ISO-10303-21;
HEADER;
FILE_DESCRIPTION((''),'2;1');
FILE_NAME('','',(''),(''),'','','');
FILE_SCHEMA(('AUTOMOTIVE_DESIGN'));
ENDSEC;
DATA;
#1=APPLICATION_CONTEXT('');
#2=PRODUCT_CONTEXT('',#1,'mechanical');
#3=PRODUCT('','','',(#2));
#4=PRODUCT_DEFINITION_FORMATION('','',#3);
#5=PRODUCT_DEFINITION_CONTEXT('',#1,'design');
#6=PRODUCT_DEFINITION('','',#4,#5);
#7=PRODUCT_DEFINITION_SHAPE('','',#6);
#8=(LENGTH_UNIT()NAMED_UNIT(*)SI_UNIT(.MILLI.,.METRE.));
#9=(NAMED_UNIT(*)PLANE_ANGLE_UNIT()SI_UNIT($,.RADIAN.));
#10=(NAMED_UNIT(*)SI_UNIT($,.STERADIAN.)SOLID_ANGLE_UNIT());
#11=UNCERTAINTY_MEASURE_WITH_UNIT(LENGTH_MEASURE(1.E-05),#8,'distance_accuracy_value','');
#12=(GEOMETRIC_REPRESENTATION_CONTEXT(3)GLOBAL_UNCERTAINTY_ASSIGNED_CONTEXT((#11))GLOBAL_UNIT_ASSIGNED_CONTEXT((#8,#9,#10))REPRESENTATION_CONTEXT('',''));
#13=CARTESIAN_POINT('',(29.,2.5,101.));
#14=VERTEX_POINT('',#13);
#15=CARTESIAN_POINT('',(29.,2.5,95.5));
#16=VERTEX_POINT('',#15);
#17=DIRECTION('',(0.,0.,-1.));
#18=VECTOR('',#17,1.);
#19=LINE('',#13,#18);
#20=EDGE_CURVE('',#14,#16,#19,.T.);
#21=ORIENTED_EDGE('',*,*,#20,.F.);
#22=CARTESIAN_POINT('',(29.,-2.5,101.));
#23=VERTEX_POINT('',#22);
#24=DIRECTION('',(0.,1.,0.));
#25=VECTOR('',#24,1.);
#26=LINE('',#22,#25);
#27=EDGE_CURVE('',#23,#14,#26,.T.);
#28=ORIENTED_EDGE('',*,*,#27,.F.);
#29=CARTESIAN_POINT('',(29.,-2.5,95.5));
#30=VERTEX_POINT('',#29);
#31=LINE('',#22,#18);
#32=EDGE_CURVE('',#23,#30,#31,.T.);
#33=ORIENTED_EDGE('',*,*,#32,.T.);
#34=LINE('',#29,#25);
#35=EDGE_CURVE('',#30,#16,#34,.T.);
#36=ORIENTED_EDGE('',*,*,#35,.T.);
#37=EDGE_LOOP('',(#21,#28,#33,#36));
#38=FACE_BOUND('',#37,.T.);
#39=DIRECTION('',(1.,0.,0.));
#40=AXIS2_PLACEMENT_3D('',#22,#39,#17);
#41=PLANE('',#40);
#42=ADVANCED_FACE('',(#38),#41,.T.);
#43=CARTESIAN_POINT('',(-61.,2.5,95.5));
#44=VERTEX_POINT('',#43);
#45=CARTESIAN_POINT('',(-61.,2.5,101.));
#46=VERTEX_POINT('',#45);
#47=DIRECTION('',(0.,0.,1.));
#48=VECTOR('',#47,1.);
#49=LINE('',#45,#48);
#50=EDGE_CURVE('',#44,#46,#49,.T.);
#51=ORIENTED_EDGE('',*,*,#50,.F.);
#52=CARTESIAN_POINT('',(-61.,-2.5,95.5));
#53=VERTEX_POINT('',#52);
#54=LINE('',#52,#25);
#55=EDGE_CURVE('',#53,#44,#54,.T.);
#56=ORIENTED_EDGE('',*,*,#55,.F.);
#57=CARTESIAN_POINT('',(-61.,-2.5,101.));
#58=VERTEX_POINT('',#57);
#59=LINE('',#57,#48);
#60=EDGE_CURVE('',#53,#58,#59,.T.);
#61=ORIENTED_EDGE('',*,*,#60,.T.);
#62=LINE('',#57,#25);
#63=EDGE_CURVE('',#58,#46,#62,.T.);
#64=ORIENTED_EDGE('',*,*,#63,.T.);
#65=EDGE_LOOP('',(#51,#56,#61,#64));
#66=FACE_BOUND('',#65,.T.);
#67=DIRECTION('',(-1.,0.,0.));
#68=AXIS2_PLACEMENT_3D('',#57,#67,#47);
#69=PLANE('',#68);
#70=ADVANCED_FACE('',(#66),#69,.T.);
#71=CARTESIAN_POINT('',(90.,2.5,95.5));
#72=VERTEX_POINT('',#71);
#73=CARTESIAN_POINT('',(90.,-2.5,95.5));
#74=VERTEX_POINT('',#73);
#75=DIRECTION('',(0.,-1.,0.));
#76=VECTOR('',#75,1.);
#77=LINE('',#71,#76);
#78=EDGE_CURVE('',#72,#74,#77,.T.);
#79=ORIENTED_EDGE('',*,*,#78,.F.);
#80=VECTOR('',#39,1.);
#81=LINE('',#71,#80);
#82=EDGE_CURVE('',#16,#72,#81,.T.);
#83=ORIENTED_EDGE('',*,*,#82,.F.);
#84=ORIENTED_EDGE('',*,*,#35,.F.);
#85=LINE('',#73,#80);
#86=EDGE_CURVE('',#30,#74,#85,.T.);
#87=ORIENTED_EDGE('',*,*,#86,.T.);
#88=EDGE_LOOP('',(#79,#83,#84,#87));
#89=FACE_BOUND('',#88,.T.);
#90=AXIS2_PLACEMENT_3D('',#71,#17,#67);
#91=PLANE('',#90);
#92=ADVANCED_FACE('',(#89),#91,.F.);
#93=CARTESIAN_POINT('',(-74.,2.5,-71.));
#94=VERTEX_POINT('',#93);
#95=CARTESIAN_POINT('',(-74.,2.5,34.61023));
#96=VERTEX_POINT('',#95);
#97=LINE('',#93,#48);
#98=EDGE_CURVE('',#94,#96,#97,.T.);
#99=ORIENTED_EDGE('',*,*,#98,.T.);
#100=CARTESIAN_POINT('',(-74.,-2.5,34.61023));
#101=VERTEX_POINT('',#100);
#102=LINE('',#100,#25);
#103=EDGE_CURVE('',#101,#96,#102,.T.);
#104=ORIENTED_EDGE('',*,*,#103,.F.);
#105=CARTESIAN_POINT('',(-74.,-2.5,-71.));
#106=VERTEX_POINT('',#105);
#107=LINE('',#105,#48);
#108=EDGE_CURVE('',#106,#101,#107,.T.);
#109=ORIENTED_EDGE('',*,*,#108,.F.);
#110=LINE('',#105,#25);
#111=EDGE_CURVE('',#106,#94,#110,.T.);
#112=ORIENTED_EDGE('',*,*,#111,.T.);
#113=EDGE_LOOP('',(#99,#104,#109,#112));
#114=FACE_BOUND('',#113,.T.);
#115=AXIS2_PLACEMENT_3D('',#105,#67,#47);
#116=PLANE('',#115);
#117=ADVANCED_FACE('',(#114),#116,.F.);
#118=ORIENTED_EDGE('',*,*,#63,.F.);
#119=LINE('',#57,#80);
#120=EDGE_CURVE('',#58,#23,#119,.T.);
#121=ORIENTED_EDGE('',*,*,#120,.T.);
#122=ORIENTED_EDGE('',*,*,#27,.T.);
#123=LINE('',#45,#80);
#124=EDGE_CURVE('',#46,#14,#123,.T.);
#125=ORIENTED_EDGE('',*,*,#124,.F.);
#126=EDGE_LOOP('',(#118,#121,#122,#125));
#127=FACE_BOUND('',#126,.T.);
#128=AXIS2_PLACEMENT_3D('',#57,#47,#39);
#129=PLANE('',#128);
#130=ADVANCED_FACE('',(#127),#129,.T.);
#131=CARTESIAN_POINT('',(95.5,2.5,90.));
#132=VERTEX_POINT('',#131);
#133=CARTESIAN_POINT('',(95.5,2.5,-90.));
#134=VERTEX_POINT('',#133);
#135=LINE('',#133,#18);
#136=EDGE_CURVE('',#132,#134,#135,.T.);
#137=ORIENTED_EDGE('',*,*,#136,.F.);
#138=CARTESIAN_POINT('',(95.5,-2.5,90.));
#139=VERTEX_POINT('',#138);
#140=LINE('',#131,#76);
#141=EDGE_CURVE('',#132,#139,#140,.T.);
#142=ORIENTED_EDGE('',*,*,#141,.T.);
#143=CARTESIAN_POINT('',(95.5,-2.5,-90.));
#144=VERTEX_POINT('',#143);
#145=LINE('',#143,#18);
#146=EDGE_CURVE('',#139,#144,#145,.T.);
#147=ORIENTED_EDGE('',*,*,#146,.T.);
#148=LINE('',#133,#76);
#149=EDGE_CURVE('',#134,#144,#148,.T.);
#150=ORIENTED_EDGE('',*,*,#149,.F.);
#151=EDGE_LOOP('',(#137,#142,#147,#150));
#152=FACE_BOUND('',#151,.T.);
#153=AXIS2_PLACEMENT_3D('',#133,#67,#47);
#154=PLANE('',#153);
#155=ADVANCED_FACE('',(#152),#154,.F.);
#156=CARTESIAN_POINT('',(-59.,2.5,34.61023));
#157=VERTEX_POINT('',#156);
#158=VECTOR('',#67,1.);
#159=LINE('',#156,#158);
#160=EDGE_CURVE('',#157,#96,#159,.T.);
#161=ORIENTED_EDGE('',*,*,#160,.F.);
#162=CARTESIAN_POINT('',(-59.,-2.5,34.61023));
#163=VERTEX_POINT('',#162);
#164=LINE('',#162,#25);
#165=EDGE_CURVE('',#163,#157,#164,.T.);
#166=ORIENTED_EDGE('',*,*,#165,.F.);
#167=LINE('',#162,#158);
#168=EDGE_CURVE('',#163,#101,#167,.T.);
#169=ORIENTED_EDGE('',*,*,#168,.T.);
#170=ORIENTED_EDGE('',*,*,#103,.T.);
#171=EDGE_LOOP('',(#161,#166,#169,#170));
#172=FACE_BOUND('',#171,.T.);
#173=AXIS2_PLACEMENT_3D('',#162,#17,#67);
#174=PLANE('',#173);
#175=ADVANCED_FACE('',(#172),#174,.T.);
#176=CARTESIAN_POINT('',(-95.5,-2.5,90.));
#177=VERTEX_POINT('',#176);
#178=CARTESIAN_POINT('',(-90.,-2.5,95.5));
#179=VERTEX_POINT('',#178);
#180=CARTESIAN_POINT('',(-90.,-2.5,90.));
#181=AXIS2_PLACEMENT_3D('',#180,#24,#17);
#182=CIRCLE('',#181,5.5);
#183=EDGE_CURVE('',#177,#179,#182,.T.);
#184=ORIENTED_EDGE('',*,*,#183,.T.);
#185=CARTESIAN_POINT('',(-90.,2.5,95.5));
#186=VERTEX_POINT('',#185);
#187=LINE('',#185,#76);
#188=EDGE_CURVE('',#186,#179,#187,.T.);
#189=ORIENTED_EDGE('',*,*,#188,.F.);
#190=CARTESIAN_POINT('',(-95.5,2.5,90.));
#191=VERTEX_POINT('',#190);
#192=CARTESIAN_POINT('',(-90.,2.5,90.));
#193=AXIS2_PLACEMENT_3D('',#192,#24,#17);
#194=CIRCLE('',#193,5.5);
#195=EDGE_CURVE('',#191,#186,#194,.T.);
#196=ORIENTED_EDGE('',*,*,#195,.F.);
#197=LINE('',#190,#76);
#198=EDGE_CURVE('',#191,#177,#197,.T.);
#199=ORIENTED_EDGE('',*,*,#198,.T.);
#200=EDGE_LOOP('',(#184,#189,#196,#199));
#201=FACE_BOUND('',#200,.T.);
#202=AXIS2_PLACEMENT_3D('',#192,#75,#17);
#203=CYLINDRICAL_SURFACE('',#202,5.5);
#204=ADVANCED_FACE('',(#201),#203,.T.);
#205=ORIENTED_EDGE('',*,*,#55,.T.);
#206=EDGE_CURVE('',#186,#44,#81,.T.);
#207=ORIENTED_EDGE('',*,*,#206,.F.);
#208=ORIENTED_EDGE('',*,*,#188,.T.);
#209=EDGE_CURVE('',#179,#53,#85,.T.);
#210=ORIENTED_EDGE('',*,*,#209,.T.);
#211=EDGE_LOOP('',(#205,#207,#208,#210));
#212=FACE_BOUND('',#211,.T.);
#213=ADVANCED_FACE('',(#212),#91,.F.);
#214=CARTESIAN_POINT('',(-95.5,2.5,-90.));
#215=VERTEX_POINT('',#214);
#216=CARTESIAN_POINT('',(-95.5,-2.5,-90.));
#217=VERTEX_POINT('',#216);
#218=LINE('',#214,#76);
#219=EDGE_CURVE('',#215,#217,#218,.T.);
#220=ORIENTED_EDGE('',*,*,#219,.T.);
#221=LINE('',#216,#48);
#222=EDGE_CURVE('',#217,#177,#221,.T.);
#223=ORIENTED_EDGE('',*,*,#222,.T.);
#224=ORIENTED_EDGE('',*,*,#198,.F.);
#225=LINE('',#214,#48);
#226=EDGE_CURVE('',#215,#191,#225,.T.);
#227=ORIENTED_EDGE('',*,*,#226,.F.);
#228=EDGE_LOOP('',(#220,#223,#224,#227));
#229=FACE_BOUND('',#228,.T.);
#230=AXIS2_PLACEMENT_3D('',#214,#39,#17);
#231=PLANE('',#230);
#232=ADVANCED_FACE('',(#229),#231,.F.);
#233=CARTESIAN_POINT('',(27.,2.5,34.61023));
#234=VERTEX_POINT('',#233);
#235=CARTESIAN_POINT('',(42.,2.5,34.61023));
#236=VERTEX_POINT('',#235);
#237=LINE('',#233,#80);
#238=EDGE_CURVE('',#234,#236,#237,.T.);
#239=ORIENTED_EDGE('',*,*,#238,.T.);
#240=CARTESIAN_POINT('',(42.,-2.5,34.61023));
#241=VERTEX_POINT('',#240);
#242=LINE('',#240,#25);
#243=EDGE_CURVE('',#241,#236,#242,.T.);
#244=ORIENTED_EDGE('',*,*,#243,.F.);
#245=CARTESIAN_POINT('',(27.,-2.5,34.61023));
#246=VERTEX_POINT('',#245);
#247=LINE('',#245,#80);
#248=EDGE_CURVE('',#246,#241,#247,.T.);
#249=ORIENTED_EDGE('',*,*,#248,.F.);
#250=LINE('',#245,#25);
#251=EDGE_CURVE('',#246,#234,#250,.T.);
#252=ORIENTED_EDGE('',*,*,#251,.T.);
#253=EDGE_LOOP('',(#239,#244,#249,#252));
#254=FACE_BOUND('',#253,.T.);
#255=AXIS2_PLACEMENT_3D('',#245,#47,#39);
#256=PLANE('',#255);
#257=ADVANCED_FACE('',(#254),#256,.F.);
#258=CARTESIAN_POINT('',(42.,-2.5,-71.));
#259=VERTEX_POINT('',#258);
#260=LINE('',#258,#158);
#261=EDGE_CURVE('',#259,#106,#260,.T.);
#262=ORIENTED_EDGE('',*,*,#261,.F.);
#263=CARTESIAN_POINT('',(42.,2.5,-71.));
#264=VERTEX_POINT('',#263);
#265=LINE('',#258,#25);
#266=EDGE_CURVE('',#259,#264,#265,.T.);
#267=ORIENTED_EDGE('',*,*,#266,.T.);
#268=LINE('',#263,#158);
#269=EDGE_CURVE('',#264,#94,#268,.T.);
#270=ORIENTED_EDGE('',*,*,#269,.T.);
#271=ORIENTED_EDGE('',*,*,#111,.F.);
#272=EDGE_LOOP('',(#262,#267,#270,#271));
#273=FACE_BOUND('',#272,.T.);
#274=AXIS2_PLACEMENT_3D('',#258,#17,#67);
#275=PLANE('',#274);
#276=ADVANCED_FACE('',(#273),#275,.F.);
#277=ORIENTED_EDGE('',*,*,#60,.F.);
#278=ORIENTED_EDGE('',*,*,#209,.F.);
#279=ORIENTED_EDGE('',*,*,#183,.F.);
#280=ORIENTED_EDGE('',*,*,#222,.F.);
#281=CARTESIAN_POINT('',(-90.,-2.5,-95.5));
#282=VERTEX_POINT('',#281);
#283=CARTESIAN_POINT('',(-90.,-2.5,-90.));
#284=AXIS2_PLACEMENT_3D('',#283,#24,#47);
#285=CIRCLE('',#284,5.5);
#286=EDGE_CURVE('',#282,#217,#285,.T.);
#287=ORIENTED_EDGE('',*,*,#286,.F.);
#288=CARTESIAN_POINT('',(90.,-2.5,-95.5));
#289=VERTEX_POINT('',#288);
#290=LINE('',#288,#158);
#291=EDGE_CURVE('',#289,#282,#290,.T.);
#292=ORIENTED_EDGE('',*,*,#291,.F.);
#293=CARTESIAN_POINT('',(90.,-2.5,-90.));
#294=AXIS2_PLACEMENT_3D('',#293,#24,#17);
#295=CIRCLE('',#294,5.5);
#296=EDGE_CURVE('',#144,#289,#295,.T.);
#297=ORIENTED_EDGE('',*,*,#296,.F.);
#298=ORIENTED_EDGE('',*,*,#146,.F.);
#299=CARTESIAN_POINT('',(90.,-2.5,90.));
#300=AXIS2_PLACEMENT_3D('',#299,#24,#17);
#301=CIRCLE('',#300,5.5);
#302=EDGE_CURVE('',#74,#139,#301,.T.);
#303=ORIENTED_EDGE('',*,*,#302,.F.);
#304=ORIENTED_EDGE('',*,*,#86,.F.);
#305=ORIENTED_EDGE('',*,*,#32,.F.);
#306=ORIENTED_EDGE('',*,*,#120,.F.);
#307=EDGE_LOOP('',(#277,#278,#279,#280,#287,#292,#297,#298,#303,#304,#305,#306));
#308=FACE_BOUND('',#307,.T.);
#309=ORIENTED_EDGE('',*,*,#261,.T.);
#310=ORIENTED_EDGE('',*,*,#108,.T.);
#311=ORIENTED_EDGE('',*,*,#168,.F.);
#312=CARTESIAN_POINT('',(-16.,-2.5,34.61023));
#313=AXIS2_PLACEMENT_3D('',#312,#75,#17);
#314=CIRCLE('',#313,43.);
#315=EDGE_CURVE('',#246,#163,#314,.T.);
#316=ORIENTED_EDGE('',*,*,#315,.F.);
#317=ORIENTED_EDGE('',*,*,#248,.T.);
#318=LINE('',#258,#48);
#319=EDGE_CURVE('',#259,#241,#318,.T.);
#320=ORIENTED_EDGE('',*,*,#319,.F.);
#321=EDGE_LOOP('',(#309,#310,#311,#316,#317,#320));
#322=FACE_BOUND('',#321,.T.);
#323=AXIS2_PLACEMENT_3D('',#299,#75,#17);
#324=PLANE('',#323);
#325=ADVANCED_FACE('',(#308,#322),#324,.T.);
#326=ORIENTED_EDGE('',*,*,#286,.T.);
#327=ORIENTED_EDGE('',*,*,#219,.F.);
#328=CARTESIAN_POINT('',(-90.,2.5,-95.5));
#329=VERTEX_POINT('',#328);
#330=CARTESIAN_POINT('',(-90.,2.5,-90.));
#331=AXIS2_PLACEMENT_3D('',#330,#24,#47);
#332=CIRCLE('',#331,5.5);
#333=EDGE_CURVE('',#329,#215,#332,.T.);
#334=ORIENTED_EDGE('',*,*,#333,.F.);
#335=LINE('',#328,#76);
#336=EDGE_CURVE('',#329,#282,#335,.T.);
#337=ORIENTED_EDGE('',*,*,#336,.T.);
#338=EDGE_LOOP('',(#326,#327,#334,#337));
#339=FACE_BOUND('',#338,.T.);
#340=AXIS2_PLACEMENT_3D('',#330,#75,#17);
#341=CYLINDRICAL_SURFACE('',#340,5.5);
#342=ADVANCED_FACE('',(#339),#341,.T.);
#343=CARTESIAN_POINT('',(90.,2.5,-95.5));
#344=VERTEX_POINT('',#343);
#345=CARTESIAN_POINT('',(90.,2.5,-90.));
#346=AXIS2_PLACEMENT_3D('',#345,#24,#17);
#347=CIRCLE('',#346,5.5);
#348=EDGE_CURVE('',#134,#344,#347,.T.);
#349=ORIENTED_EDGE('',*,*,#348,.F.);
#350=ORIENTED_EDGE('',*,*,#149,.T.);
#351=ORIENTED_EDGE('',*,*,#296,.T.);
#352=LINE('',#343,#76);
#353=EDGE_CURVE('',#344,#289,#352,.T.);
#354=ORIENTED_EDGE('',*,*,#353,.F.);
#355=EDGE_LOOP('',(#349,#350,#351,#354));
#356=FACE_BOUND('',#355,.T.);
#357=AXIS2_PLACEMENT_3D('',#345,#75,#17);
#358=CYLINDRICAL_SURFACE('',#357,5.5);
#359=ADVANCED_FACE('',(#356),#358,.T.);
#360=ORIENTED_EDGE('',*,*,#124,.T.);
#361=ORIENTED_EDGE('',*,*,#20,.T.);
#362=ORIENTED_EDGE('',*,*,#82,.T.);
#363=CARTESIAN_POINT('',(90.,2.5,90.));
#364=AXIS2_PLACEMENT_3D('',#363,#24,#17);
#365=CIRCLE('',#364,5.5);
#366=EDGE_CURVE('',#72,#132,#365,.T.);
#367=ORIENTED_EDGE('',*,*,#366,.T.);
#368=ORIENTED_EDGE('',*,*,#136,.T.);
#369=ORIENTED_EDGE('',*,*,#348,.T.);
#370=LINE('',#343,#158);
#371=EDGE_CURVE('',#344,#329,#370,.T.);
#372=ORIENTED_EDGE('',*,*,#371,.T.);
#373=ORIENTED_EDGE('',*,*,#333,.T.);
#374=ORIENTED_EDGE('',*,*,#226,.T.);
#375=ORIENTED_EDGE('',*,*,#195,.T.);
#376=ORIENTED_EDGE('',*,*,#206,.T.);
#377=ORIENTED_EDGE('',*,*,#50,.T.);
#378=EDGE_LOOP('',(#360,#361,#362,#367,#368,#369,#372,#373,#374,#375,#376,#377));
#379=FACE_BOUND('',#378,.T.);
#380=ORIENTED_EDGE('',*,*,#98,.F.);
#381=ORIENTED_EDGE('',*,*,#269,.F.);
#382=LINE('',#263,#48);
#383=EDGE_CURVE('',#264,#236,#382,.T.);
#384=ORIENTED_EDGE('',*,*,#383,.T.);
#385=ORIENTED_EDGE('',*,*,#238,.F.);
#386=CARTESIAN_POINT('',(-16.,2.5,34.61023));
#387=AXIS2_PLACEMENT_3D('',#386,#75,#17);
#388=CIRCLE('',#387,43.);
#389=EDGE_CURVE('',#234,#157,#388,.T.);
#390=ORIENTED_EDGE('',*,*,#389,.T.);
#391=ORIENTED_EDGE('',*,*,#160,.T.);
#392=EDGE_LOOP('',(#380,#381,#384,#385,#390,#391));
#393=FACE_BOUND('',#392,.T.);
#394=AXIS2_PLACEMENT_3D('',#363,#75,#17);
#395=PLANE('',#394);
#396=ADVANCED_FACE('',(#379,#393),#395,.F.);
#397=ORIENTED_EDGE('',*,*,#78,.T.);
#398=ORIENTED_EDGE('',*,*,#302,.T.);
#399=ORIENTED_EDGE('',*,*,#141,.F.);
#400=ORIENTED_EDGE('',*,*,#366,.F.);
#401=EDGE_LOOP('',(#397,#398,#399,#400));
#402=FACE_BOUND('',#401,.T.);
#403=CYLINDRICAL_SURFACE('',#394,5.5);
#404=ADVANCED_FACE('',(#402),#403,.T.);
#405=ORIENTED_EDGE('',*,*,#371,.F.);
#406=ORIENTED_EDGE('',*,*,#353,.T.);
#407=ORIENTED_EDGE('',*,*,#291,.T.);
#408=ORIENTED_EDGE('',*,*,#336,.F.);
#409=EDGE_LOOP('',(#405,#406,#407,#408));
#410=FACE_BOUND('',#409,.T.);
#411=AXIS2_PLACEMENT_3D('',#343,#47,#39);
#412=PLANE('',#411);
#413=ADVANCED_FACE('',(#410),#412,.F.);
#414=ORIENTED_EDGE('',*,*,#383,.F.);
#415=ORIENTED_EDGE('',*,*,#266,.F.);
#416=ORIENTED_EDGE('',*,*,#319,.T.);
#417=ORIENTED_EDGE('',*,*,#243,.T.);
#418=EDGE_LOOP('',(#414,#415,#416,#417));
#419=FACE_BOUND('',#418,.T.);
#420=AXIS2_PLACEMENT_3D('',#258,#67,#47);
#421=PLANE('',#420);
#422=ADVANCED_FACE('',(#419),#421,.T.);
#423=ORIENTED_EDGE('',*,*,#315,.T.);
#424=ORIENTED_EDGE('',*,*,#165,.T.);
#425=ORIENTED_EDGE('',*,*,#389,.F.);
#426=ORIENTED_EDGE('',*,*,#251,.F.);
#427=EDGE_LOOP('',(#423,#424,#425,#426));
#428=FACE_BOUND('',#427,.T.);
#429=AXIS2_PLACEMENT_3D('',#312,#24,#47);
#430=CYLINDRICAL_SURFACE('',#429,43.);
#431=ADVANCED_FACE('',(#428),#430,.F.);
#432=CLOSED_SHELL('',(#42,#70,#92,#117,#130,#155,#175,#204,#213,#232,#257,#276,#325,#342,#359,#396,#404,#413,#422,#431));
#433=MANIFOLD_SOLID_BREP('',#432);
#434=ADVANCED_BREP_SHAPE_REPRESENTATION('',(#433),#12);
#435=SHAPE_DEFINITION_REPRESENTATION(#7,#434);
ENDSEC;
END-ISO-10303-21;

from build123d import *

# Parameters (mm, degrees)
BOSS_EXTRUDE1_DEPTH = 2.5
CUT_EXTRUDE1_DEPTH  = 6
SKETCH3_W           = 90
SKETCH3_H           = 5.5
BOSS_EXTRUDE2_DEPTH = 5


with BuildPart() as part:
    # Sketch1 → Boss-Extrude1 (new body, symmetric)
    with BuildSketch(Plane(origin=(0, 0, 0), x_dir=(1, 0, 0), z_dir=(0, 1, 0))):
        with BuildLine():
            Line((90, 95.5), (-90, 95.5))
            ThreePointArc((-90, 95.5), (-93.889087297, 93.889087297), (-95.5, 90))
            Line((-95.5, 90), (-95.5, -90))
            ThreePointArc((-95.5, -90), (-93.889087297, -93.889087297), (-90, -95.5))
            Line((-90, -95.5), (90, -95.5))
            ThreePointArc((90, -95.5), (93.889087297, -93.889087297), (95.5, -90))
            Line((95.5, -90), (95.5, 90))
            ThreePointArc((95.5, 90), (93.889087297, 93.889087297), (90, 95.5))
        make_face()
    extrude(amount=BOSS_EXTRUDE1_DEPTH, both=True)

    # Sketch2 → Cut-Extrude1 (cut, through all)
    with BuildSketch(Plane(origin=(0, 2.5, 0), x_dir=(1, 0, 0), z_dir=(0, 1, 0))):
        with BuildLine():
            Line((42, 71), (-74, 71))
            Line((-74, 71), (-74, -34.610229671))
            Line((-74, -34.610229671), (-59, -34.610229671))
            ThreePointArc((-59, -34.610229671), (-16, -77.610229671), (27, -34.610229671))
            Line((27, -34.610229671), (42, -34.610229671))
            Line((42, -34.610229671), (42, 71))
        make_face()
    extrude(amount=-CUT_EXTRUDE1_DEPTH, mode=Mode.SUBTRACT)

    # Sketch3 → Boss-Extrude2 (add)
    with BuildSketch(Plane(origin=(0, 2.5, 0), x_dir=(1, 0, 0), z_dir=(0, 1, 0))):
        with Locations((-16, -98.25)):
            Rectangle(SKETCH3_W, SKETCH3_H)
    extrude(amount=-BOSS_EXTRUDE2_DEPTH)


solid = part.part
